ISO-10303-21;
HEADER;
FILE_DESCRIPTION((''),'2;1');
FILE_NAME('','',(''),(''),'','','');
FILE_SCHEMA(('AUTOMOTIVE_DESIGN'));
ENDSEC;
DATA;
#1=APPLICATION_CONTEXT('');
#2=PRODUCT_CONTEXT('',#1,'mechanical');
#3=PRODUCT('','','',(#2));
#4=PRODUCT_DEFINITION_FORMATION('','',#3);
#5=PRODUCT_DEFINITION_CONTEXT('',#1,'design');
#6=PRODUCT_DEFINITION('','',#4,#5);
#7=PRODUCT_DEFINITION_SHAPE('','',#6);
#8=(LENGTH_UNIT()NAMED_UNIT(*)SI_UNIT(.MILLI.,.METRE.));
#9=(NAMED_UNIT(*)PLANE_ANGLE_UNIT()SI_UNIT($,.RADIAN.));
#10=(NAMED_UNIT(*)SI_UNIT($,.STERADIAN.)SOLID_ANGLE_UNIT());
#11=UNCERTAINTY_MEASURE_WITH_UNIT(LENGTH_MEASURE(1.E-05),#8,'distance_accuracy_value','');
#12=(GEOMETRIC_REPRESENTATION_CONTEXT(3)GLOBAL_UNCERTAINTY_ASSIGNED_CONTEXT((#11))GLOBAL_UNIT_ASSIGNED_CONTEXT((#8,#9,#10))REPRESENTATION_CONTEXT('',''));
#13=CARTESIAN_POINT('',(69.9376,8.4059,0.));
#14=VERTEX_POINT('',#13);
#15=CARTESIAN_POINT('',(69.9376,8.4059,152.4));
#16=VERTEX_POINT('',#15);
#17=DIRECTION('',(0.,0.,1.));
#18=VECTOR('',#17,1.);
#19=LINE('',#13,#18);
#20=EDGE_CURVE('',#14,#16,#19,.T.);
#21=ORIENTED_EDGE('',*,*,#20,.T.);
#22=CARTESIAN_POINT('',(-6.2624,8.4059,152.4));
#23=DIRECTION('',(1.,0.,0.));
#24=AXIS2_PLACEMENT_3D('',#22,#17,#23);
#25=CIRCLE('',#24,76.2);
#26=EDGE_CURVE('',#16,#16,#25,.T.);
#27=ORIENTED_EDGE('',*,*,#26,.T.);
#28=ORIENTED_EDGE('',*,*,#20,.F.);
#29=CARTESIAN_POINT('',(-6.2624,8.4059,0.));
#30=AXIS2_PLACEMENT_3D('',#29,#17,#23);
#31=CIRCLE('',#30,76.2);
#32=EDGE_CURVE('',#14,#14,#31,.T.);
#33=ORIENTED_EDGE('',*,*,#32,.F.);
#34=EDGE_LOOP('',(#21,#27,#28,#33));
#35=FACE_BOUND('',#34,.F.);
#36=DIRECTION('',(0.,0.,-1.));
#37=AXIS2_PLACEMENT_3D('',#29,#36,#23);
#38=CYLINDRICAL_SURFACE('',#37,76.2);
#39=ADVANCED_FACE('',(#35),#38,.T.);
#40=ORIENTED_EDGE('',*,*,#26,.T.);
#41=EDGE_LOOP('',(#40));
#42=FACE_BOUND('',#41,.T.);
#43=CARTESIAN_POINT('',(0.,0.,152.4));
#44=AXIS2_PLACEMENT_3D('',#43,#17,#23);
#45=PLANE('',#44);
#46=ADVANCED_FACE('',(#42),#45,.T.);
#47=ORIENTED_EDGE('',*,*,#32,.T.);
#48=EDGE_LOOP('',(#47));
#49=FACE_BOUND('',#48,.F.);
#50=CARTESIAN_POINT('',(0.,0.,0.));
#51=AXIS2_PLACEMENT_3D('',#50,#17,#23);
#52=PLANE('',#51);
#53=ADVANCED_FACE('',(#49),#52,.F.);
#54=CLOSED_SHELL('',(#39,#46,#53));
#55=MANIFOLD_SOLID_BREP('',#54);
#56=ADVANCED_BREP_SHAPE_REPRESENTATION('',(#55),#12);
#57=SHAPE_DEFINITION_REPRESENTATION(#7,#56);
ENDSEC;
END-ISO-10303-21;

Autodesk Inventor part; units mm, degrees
ref_plane "YZ Plane" through (0, 0, 0) normal (1, 0, 0) x (0, 1, 0)
ref_plane "XZ Plane" through (0, 0, 0) normal (0, 1, 0) x (-1, 0, 0)
ref_plane "XY Plane" through (0, 0, 0) normal (0, 0, 1) x (1, 0, 0)
sketch "Sketch1" plane through (0, 0, 0) normal (0, 0, 1) x (1, 0, 0)
  circle A0 centre (-6.2624, 8.4059) radius 76.2
  point P0 (0, 0)
  dimension "d0" = 152.4
  dimension "d0" = 152.4
extrude "Extrusion1" add sketch "Sketch1" along normal blind 152.4
properties part number "6inchcylinder"
